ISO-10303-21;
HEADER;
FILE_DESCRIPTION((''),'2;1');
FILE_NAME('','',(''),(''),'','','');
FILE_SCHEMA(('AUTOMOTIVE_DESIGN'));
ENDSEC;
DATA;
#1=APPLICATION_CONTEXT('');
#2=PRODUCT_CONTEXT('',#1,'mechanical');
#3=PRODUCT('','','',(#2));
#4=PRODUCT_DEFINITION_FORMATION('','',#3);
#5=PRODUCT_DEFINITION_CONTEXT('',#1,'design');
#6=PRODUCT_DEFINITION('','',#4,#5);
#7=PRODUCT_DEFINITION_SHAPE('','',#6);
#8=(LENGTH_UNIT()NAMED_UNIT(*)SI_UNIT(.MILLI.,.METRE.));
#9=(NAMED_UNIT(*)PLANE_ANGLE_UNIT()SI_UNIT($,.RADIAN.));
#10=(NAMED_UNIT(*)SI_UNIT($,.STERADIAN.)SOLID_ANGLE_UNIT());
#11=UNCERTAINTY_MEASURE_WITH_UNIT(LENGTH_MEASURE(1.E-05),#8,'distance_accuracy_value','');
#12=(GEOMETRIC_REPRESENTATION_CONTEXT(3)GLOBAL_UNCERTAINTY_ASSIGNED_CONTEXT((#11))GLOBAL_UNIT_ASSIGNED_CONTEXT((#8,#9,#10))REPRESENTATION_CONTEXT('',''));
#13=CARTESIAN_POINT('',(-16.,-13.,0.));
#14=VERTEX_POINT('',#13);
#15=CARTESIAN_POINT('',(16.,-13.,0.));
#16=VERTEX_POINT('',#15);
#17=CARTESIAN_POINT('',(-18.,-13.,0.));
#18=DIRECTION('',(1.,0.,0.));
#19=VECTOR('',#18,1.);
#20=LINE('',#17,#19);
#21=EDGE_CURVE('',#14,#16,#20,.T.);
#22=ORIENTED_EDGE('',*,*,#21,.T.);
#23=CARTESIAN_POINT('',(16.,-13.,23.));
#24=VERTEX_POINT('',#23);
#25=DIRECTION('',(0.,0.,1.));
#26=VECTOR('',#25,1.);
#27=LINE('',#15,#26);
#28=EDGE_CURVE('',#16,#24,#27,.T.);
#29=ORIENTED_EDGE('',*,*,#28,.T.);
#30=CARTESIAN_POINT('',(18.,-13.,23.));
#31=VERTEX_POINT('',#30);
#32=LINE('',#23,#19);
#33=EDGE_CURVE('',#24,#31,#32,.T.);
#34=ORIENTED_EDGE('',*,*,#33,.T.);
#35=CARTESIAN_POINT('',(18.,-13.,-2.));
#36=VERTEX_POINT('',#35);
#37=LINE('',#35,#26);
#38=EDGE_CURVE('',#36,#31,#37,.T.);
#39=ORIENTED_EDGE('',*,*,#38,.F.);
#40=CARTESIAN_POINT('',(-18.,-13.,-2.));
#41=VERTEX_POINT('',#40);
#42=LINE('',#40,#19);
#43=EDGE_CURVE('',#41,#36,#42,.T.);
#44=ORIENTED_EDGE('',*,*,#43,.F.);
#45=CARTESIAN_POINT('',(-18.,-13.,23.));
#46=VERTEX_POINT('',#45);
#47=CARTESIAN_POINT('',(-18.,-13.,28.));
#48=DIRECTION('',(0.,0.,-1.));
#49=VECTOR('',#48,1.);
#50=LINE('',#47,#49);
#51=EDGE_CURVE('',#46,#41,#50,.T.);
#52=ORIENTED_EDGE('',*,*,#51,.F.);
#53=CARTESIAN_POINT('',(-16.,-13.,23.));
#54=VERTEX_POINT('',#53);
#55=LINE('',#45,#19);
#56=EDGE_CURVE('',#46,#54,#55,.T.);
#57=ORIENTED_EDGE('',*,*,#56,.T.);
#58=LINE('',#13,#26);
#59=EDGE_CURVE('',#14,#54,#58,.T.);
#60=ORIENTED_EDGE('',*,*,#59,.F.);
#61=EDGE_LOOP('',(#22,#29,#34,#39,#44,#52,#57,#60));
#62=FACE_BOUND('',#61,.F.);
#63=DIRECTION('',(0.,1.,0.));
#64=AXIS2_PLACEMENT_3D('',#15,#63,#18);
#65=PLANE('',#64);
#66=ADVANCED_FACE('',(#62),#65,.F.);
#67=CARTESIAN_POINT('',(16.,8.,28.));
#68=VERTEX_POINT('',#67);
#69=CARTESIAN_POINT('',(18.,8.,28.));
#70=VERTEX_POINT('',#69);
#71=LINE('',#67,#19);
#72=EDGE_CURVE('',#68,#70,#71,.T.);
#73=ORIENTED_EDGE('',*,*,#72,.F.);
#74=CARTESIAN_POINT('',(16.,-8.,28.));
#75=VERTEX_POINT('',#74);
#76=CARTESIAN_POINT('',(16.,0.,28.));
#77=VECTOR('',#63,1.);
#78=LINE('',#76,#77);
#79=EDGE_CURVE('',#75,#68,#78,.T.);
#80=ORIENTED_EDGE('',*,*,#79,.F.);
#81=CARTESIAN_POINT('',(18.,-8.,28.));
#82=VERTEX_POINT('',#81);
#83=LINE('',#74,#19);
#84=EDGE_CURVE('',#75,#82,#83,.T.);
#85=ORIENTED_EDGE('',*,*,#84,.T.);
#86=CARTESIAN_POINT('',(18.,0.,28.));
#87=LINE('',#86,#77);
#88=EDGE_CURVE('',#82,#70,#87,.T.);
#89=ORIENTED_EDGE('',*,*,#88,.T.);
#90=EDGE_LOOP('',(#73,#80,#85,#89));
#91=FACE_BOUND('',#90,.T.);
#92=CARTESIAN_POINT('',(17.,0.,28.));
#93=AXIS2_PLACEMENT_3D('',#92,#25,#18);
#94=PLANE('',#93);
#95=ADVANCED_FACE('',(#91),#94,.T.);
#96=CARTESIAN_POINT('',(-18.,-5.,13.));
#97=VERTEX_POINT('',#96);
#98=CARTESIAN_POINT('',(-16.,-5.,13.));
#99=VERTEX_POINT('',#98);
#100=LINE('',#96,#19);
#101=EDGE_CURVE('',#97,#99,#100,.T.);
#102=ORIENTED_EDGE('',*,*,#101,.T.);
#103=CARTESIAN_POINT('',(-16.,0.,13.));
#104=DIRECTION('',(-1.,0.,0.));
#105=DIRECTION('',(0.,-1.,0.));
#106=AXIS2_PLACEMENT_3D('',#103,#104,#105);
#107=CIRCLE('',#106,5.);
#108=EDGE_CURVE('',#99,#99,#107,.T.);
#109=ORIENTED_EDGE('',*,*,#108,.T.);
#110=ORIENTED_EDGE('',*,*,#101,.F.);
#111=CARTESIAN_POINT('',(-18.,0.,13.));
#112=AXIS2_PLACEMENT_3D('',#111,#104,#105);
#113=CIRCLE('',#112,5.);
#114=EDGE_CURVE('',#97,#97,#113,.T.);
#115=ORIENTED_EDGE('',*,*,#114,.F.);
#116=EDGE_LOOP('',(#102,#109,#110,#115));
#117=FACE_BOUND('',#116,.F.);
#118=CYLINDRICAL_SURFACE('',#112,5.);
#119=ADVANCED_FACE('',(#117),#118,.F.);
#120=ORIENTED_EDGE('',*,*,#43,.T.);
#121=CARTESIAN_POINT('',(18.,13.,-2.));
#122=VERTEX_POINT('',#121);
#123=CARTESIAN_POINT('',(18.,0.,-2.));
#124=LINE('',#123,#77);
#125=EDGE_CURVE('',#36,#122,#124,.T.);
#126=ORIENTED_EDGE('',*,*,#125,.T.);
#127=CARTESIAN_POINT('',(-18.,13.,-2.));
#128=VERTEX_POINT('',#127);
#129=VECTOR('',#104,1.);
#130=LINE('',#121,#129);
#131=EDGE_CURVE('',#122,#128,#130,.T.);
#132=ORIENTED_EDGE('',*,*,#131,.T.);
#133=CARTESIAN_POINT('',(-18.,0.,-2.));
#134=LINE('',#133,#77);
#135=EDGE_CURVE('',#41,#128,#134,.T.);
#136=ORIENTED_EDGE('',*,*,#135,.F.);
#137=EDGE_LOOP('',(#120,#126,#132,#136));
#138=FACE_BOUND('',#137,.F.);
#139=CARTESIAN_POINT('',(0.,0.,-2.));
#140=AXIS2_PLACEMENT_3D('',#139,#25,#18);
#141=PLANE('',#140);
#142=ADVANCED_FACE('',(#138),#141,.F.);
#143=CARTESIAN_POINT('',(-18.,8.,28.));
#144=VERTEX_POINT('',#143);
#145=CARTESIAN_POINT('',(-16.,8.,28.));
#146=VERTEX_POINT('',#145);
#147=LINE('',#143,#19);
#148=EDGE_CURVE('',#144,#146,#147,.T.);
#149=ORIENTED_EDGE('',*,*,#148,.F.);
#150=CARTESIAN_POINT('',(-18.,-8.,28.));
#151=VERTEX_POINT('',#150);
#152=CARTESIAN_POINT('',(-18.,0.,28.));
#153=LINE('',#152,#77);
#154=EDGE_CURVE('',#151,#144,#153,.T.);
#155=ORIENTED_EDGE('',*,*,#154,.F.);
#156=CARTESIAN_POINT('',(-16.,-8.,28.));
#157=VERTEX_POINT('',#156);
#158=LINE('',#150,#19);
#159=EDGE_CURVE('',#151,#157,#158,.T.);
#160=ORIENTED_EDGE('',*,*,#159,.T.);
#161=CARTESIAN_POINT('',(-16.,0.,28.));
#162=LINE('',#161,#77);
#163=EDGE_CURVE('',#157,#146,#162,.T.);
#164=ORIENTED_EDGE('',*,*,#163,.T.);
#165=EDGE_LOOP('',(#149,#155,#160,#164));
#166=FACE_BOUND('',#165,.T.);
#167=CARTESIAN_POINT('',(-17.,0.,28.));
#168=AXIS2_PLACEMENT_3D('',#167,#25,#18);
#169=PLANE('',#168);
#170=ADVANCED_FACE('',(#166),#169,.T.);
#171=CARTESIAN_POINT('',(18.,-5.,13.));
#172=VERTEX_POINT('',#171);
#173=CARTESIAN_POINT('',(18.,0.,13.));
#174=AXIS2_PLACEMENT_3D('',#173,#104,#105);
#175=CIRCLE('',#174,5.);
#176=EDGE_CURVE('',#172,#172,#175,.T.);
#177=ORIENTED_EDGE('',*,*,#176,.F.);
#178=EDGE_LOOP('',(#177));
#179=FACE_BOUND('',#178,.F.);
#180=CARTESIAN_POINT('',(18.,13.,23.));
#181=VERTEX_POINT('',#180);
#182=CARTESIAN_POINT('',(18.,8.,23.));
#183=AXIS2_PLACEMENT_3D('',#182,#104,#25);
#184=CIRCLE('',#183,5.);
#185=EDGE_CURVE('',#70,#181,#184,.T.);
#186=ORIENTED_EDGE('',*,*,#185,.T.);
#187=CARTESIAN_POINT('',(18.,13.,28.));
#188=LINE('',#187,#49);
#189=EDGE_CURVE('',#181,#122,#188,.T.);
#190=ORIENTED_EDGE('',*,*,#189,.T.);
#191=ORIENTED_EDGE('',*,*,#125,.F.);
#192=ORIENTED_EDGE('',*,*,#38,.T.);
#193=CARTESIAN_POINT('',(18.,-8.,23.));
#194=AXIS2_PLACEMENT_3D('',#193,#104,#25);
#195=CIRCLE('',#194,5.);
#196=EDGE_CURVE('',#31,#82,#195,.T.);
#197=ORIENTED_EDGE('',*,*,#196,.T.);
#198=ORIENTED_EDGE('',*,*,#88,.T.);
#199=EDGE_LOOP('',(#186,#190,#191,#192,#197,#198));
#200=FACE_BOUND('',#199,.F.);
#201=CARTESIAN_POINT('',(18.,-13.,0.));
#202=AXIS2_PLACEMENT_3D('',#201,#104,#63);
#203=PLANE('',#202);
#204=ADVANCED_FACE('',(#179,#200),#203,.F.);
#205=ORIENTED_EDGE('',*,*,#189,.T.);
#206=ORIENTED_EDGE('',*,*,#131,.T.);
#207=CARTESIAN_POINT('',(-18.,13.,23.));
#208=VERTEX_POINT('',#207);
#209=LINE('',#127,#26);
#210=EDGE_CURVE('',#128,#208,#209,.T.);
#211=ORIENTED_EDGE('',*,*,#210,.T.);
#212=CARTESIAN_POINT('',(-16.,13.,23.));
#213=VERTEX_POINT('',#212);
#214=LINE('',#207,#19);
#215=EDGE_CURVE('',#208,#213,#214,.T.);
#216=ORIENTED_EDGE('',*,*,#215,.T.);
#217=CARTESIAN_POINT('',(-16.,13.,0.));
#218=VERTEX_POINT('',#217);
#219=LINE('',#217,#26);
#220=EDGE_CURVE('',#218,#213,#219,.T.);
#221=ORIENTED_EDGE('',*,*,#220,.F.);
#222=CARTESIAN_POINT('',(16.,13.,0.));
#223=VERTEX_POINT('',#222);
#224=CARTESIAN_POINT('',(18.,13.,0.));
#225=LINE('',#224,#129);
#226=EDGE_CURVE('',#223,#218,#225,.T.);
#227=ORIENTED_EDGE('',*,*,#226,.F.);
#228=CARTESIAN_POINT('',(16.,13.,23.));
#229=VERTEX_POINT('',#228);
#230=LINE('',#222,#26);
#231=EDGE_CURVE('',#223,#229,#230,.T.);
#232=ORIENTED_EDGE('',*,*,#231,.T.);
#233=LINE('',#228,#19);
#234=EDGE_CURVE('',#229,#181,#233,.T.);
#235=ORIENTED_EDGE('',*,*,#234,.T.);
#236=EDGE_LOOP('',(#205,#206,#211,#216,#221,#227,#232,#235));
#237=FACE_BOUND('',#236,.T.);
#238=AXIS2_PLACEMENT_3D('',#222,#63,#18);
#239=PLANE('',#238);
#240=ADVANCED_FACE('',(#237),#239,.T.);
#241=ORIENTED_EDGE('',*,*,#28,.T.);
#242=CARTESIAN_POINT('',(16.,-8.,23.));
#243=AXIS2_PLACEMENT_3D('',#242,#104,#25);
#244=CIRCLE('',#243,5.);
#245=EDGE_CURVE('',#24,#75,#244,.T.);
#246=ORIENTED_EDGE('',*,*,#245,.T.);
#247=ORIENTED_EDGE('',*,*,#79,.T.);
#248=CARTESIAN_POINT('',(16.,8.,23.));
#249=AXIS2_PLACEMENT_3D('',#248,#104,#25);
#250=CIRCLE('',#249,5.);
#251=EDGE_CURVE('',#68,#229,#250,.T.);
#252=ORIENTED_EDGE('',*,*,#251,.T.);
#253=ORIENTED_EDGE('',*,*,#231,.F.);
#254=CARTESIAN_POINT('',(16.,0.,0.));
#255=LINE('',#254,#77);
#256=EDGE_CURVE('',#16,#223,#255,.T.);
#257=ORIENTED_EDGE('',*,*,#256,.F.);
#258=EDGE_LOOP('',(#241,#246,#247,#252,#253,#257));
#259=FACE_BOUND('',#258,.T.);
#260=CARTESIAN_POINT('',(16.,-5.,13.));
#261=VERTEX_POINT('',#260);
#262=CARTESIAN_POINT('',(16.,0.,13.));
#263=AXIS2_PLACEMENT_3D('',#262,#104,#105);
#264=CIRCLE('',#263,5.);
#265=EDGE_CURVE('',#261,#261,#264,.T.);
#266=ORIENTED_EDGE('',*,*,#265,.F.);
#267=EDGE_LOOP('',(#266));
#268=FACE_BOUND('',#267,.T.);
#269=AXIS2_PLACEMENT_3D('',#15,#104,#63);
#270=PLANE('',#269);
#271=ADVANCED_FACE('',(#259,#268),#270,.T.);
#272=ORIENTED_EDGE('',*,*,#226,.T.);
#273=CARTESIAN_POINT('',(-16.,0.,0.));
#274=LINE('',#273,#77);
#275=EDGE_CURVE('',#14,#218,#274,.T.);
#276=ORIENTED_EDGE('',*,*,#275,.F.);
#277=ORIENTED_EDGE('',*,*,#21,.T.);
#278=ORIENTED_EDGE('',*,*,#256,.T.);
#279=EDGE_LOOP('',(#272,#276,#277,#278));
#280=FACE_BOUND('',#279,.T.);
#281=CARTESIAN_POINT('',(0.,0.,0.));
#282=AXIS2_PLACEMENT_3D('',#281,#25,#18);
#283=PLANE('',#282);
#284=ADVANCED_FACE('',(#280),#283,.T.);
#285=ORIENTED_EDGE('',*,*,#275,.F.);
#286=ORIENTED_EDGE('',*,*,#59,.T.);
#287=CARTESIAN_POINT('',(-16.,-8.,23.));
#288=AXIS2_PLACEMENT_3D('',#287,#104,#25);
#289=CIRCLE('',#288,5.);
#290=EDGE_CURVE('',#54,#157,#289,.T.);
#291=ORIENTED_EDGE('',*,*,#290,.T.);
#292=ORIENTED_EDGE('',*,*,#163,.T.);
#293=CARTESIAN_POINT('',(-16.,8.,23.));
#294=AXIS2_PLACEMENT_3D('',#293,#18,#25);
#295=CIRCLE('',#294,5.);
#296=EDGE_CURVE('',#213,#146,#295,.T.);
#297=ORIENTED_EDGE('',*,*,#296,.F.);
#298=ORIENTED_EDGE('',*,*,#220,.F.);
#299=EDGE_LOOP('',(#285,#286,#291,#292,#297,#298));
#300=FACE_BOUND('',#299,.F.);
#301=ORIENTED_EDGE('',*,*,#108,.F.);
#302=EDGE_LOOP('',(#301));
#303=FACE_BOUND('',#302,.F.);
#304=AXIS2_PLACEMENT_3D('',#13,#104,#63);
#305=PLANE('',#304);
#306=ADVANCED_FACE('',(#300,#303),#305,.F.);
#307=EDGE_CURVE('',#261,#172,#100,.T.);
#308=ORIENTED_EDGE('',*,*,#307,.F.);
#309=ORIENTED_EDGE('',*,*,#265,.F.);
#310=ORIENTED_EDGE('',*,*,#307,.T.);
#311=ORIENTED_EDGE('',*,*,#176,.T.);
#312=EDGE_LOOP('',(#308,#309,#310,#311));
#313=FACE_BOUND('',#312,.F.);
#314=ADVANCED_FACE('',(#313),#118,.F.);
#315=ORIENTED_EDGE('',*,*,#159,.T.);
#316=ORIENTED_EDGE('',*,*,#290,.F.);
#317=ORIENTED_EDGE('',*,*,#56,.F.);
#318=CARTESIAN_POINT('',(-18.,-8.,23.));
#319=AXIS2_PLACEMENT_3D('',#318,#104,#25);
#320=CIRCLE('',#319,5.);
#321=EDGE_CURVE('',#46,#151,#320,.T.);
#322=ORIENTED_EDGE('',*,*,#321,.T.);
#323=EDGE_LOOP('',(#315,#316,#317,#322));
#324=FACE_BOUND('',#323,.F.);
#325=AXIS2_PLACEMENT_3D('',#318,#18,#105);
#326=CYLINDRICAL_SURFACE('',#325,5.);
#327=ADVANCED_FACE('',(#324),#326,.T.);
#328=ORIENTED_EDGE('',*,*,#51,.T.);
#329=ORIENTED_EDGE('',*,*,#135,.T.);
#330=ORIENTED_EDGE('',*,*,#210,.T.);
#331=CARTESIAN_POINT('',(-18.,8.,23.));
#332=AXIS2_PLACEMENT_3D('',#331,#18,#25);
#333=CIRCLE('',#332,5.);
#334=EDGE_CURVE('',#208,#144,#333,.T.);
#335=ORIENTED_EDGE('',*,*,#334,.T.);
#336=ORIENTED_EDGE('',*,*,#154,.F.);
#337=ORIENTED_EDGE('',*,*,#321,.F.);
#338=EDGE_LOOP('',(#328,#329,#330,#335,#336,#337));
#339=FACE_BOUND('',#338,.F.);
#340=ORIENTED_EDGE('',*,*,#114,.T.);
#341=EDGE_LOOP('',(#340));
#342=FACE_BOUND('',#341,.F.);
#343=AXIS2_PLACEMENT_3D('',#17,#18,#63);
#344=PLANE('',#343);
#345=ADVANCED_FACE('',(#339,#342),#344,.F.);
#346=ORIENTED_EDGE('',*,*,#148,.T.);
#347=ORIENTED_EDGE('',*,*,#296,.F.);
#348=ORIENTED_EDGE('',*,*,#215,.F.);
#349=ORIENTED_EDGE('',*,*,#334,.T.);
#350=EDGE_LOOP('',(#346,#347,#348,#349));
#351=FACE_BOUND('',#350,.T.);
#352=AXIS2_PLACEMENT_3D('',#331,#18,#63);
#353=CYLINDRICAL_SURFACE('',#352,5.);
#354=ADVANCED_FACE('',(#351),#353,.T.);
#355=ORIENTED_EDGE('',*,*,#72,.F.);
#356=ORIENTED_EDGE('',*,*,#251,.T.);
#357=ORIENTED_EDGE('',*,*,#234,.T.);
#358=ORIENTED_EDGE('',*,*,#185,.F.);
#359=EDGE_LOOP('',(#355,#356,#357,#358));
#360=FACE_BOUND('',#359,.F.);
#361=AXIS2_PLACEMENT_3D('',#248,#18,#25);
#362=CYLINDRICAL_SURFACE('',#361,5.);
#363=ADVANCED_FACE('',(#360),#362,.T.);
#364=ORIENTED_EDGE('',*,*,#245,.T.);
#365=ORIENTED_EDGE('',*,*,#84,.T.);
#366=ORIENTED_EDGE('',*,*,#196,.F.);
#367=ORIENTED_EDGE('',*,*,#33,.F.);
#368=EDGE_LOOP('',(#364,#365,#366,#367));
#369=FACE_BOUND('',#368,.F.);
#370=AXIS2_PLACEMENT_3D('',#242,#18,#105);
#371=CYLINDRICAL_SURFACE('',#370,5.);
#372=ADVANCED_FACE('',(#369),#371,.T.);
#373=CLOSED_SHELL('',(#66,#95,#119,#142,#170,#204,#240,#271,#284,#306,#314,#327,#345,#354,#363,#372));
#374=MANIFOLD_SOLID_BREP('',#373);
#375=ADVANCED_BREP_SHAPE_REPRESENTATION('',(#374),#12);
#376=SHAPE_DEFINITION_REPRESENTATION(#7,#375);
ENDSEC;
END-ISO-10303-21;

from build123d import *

# Parameters (mm, degrees)
F0_W     = 32
F0_H     = 26
F0_W_2   = 2
F1_DEPTH = 2
F2_DEPTH = 28
F3_R     = 5
F4_DEPTH = 50
F5_R     = 5


with BuildPart() as f1:
    # F0 (on Top) → F1 (new body)
    with BuildSketch(Plane.XY):
        Rectangle(F0_W, F0_H)
        with Locations((-17, 0)):
            Rectangle(F0_W_2, F0_H)
        with Locations((17, 0)):
            Rectangle(F0_W_2, F0_H)
    extrude(amount=-F1_DEPTH)

    # F0 (on Top) → F2 (join)
    with BuildSketch(Plane.XY):
        with Locations((17, 0)):
            Rectangle(F0_W_2, F0_H)
        with Locations((-17, 0)):
            Rectangle(F0_W_2, F0_H)
    extrude(amount=F2_DEPTH)

    # F3 (on face) → F4 (cut)
    with BuildSketch(Plane(origin=(-18, 0, 0), x_dir=(0, -1, 0), z_dir=(-1, 0, 0))):
        with Locations((0, 13)):
            Circle(F3_R)
    extrude(amount=-F4_DEPTH, mode=Mode.SUBTRACT)

    # F5
    f5_edges = [f1.edges().sort_by_distance(p)[0] for p in [
        (-17, 13, 28),
        (17, 13, 28),
        (17, -13, 28),
        (-17, -13, 28),
    ]]
    fillet(f5_edges, radius=F5_R)


solid = f1.part
